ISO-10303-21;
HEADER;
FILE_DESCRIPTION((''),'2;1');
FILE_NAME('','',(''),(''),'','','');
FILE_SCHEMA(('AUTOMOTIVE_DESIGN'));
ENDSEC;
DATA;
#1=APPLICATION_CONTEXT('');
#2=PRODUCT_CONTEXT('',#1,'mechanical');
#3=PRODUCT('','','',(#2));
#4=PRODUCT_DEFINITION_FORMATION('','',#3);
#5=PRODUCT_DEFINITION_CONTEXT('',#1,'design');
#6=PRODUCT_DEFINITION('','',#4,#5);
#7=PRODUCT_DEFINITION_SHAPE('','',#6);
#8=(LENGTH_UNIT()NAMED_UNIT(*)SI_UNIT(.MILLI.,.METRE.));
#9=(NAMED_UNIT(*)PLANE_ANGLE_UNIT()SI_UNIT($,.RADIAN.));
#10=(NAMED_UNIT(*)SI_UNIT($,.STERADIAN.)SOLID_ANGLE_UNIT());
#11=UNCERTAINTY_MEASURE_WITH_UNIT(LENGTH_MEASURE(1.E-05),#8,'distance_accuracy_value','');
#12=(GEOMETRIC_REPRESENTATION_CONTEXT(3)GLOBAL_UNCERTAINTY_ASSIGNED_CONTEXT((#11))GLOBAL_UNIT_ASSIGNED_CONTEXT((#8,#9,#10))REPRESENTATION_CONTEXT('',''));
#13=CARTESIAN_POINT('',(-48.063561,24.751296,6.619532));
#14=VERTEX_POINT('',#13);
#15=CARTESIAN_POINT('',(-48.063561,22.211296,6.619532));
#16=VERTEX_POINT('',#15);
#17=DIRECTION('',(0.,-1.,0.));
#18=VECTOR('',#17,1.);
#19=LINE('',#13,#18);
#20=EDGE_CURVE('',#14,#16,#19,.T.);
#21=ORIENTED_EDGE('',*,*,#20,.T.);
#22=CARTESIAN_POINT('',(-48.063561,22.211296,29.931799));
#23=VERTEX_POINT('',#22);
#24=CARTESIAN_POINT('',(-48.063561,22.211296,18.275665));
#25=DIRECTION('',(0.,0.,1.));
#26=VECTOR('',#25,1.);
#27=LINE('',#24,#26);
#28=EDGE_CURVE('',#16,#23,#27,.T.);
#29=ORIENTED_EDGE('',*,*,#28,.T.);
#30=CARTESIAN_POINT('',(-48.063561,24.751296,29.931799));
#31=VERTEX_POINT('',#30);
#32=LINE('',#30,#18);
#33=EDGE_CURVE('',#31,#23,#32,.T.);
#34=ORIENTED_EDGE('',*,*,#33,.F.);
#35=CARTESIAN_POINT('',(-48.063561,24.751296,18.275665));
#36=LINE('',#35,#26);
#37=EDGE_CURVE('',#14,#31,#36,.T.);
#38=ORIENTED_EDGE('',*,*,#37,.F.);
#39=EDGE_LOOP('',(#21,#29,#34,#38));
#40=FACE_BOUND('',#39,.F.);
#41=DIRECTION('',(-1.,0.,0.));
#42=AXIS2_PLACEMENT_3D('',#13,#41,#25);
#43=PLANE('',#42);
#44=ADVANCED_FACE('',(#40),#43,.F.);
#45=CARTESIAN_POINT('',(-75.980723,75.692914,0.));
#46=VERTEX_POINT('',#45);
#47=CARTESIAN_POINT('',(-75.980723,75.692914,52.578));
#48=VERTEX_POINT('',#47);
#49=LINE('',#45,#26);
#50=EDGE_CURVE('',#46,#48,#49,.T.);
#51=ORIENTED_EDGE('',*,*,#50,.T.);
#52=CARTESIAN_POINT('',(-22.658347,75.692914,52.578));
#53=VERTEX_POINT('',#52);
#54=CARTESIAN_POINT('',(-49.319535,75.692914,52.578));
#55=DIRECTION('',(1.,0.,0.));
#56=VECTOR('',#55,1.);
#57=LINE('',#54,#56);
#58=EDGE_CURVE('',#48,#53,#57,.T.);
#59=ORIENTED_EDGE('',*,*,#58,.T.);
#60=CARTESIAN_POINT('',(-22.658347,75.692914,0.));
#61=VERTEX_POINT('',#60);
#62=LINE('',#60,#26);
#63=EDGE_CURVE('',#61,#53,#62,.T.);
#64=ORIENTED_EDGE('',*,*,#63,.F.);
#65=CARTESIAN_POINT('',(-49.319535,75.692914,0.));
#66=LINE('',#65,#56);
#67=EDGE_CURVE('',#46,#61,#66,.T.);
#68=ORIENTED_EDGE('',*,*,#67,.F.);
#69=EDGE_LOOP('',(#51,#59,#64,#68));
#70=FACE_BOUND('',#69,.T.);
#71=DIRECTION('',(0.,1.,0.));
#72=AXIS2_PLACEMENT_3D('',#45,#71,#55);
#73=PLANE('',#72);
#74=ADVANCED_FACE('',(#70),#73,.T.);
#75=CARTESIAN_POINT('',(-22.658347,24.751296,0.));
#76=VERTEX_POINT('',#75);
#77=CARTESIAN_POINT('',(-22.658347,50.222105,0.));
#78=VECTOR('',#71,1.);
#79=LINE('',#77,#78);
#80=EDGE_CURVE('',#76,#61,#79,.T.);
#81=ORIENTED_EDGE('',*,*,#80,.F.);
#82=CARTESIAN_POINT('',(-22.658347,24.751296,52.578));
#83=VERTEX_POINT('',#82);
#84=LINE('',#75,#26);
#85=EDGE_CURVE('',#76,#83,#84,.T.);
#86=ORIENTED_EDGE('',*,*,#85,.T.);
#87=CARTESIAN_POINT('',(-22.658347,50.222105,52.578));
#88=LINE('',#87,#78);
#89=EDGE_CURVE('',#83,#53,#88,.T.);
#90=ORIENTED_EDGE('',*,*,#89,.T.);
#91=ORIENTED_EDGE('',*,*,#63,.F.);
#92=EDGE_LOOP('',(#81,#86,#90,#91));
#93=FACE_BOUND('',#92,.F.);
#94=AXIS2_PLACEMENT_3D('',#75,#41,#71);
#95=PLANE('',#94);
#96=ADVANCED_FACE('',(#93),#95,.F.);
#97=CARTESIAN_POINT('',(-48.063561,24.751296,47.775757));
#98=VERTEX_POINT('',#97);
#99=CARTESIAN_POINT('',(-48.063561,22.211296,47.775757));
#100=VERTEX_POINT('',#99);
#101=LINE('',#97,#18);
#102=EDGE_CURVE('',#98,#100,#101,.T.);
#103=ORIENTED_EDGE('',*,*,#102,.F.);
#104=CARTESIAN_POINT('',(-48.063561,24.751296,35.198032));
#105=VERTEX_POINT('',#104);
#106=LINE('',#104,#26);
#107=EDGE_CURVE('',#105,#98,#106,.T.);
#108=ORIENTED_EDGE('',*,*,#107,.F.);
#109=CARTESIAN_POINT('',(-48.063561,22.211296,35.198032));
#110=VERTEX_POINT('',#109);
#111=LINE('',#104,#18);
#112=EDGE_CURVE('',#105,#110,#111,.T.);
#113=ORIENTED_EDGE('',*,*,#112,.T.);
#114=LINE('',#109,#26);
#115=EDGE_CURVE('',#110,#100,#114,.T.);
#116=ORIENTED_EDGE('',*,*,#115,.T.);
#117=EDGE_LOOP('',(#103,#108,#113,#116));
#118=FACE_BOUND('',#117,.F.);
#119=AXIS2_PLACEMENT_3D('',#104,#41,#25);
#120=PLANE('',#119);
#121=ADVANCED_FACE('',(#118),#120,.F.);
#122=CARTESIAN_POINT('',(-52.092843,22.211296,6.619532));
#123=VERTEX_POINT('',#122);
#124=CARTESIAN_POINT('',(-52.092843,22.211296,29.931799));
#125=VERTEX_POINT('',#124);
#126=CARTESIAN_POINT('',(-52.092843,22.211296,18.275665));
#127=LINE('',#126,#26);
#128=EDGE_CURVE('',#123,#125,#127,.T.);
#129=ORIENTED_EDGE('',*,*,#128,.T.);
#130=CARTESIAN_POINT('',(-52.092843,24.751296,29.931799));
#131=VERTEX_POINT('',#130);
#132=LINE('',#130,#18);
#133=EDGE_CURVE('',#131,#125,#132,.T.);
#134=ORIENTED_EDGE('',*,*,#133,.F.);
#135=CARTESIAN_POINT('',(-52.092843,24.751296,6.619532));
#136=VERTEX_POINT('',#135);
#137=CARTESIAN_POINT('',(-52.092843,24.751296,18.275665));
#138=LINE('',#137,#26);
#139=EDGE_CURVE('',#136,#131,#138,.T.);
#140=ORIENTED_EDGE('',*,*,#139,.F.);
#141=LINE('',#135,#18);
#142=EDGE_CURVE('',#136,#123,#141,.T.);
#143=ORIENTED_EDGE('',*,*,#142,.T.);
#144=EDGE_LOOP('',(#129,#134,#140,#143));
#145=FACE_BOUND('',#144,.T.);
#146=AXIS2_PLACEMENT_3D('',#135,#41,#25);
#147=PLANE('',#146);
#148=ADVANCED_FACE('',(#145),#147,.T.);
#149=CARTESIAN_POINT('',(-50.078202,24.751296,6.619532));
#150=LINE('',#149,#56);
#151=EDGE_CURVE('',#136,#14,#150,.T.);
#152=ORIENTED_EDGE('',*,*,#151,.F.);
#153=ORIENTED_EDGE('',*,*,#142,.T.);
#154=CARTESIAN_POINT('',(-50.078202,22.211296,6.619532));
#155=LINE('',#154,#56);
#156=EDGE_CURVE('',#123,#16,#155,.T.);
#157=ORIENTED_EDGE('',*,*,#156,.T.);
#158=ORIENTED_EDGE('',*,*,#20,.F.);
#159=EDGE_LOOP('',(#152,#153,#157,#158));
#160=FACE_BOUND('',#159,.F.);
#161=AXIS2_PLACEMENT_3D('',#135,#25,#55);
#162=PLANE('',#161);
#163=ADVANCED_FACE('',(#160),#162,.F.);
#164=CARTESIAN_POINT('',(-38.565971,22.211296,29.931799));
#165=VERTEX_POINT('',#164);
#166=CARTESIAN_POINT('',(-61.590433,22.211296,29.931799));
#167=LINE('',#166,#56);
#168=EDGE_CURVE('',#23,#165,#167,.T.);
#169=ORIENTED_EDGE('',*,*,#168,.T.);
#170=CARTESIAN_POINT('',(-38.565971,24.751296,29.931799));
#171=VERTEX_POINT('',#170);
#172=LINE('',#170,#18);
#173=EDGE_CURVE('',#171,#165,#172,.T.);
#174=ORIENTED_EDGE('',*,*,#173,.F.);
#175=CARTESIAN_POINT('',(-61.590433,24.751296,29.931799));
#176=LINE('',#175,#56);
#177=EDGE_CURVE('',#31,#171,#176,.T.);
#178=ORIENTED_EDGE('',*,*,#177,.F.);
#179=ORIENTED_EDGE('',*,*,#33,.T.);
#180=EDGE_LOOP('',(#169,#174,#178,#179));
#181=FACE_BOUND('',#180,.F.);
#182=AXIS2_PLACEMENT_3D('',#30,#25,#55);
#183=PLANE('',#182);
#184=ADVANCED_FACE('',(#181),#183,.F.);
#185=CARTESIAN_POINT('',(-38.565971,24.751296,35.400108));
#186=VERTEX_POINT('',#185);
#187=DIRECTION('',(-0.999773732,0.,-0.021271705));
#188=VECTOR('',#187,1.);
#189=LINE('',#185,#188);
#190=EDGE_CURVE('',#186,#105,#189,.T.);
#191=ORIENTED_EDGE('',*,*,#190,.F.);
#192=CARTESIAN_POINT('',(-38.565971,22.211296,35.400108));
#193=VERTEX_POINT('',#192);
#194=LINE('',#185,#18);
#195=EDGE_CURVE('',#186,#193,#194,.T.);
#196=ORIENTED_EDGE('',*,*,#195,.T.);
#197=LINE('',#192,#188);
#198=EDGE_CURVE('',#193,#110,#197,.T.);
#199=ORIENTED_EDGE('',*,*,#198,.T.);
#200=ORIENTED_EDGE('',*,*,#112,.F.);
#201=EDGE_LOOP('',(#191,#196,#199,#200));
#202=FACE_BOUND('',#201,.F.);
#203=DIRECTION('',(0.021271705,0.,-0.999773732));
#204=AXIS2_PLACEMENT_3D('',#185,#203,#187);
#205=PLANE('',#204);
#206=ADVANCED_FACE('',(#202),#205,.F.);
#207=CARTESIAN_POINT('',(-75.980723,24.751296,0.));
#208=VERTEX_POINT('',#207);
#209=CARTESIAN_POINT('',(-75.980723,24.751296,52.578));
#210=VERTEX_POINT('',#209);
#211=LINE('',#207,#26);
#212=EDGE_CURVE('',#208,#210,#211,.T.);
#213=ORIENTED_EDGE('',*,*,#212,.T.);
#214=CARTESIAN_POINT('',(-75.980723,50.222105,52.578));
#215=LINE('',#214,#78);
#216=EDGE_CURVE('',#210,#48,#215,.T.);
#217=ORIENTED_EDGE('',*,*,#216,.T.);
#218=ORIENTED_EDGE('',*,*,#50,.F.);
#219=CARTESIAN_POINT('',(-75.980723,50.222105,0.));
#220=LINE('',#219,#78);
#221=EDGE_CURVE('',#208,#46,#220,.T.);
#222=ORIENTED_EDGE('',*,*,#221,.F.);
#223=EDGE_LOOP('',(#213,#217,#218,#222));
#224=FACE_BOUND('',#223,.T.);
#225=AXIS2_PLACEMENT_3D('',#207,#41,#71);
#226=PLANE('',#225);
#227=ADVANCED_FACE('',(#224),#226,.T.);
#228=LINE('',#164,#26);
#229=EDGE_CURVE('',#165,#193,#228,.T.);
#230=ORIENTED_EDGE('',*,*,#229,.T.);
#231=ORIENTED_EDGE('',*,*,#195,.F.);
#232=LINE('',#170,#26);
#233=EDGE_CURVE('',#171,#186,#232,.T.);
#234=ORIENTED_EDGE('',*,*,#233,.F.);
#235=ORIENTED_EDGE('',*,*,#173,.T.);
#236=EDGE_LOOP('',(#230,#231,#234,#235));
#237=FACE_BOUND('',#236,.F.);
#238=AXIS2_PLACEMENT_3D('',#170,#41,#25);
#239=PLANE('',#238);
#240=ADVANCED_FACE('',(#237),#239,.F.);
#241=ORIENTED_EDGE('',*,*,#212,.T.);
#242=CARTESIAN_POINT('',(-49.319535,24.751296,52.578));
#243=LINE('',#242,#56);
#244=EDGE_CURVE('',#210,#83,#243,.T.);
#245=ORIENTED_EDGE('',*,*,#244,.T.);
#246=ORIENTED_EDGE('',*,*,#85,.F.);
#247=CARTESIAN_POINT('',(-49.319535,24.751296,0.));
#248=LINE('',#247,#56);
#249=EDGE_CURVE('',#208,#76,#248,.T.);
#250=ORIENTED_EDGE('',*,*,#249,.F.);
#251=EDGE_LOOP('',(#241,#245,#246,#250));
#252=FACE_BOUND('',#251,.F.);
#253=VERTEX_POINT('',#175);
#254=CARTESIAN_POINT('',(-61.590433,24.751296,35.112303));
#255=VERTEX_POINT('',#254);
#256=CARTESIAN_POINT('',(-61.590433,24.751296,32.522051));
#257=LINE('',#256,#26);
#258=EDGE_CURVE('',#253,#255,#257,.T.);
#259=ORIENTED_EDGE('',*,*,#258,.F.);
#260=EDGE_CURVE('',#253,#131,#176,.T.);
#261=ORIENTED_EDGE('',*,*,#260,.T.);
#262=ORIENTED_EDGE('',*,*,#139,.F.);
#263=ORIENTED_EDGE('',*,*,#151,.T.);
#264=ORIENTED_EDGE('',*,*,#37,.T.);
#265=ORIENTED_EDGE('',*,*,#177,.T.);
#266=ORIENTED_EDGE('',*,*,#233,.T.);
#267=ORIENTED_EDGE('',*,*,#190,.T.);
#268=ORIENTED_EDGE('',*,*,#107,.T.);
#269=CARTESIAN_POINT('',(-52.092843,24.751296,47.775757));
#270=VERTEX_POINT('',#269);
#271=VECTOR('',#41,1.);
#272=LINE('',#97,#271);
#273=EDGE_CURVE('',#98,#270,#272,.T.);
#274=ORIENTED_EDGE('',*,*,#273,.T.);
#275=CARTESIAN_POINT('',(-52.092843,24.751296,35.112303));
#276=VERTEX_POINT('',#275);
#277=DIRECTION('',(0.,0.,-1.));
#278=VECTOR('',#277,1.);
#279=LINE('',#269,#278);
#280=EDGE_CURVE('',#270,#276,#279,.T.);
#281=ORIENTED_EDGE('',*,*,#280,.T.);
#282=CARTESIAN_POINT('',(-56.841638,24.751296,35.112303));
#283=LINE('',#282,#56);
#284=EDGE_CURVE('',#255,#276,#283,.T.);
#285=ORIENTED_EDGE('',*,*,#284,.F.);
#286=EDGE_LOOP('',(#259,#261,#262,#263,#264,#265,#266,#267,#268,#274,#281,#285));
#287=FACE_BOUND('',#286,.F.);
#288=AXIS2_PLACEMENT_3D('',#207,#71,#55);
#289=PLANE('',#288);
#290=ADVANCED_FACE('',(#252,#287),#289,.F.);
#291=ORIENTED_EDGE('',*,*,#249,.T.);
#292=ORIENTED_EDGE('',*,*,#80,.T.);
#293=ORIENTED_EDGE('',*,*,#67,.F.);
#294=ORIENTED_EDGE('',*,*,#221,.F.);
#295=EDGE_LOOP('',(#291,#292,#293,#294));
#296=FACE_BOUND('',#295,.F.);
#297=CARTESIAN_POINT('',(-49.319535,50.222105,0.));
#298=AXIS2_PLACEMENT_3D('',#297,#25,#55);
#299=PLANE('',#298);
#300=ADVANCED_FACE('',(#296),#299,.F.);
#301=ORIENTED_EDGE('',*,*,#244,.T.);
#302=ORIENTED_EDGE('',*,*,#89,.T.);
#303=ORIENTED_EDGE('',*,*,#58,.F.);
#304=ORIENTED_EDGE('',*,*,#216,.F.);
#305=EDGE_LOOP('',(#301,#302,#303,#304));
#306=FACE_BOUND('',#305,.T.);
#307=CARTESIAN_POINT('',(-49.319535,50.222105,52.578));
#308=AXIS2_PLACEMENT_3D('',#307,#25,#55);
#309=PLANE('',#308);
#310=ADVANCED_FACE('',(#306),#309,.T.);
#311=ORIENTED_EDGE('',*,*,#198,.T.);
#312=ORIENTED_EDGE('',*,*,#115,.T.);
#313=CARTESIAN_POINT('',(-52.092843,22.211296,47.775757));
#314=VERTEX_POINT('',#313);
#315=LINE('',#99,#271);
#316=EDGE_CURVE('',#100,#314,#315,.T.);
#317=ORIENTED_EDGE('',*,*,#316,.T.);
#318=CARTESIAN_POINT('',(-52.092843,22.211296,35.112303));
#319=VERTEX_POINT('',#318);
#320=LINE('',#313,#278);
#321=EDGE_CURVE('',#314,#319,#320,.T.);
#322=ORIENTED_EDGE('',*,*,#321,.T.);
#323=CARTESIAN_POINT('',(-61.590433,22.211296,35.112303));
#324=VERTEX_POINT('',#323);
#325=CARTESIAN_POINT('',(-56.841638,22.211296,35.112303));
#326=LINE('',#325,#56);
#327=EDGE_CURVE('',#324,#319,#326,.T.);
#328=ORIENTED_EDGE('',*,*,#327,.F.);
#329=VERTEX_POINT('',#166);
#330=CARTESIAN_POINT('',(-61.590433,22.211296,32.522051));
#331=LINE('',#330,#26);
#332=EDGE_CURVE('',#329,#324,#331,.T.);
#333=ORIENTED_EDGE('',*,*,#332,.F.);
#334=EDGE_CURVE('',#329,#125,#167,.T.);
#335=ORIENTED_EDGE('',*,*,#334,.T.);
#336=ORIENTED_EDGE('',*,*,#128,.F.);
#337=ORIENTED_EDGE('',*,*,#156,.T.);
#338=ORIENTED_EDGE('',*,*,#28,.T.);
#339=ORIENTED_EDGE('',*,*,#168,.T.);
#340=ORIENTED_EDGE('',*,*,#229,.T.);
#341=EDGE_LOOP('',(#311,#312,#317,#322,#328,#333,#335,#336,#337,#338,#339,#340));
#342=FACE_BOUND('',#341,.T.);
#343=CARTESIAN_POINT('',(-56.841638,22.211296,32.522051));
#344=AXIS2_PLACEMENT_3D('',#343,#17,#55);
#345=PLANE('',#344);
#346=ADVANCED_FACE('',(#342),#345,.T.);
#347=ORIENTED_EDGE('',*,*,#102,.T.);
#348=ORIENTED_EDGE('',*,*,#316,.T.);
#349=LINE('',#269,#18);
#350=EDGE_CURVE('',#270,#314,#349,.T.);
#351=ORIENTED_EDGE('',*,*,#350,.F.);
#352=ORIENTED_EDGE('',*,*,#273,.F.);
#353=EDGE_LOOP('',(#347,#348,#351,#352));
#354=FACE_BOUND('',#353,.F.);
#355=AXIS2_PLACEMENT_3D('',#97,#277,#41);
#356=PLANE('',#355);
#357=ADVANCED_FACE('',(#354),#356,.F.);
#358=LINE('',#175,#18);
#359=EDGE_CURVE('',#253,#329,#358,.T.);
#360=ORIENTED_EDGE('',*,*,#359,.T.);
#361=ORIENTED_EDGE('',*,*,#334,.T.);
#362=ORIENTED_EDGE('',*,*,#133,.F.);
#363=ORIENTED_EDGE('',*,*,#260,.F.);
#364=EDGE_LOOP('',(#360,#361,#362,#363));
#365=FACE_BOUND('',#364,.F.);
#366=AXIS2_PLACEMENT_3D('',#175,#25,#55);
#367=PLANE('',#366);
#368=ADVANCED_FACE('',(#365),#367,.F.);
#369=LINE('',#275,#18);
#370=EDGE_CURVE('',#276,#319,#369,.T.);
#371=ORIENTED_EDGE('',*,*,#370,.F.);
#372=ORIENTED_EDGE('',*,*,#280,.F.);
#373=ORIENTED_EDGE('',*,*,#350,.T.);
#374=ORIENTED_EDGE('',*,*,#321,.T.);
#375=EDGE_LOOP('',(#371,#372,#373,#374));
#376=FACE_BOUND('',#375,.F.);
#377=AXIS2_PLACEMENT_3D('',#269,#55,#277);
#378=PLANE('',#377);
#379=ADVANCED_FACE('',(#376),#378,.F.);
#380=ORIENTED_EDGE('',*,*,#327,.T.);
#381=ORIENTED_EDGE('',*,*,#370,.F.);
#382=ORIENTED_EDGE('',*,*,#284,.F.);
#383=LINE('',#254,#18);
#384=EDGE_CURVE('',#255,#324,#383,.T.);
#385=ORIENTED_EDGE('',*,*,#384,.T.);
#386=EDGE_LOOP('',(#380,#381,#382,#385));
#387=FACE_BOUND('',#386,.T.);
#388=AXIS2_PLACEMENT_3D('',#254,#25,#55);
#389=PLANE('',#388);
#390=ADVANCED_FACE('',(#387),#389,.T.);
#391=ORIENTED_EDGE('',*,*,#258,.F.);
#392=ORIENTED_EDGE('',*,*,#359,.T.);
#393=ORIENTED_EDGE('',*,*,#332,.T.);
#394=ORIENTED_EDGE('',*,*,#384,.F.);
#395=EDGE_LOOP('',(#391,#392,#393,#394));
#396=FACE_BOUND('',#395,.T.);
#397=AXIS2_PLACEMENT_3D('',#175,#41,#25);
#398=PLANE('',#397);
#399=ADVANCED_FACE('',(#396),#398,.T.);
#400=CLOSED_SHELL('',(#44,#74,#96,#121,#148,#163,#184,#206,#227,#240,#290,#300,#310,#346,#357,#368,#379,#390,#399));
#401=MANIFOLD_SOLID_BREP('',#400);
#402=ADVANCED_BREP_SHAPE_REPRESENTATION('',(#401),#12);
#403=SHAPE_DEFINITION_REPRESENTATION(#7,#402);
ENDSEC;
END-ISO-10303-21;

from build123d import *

# Parameters (mm, degrees)
F0_W     = 53.322375752
F0_H     = 50.9416181594
F1_DEPTH = 52.578
F2_W     = 9.497590363
F2_H     = 5.180504173
F2_W_2   = 4.0292814374
F2_H_2   = 23.3122664504
F3_DEPTH = 2.54


with BuildPart() as f1:
    # F0 (on Top) → F1 (new body)
    with BuildSketch(Plane.XY):
        with Locations((-49.3195350282, 50.2221053466)):
            Rectangle(F0_W, F0_H)
    extrude(amount=F1_DEPTH)

    # F2 (on face) → F3 (join)
    with BuildSketch(Plane.XZ.offset(-24.7512962669)):
        with Locations((-56.8416379392, 32.5220506638)):
            Rectangle(F2_W, F2_H)
        Polygon((-48.0635613203, 35.1980318357), (-52.0928427577, 35.1123027503), (-52.0928427577, 29.9317985773), (-48.0635613203, 29.9317985773), align=None)
        Polygon((-38.5659709573, 35.4001075029), (-48.0635613203, 35.1980318357), (-48.0635613203, 29.9317985773), (-38.5659709573, 29.9317985773), align=None)
        with Locations((-50.078202039, 18.2756653521)):
            Rectangle(F2_W_2, F2_H_2)
        Polygon((-48.0635613203, 47.7757565677), (-52.0928427577, 47.7757565677), (-52.0928427577, 35.1123027503), (-48.0635613203, 35.1980318357), align=None)
    extrude(amount=F3_DEPTH)


solid = f1.part
